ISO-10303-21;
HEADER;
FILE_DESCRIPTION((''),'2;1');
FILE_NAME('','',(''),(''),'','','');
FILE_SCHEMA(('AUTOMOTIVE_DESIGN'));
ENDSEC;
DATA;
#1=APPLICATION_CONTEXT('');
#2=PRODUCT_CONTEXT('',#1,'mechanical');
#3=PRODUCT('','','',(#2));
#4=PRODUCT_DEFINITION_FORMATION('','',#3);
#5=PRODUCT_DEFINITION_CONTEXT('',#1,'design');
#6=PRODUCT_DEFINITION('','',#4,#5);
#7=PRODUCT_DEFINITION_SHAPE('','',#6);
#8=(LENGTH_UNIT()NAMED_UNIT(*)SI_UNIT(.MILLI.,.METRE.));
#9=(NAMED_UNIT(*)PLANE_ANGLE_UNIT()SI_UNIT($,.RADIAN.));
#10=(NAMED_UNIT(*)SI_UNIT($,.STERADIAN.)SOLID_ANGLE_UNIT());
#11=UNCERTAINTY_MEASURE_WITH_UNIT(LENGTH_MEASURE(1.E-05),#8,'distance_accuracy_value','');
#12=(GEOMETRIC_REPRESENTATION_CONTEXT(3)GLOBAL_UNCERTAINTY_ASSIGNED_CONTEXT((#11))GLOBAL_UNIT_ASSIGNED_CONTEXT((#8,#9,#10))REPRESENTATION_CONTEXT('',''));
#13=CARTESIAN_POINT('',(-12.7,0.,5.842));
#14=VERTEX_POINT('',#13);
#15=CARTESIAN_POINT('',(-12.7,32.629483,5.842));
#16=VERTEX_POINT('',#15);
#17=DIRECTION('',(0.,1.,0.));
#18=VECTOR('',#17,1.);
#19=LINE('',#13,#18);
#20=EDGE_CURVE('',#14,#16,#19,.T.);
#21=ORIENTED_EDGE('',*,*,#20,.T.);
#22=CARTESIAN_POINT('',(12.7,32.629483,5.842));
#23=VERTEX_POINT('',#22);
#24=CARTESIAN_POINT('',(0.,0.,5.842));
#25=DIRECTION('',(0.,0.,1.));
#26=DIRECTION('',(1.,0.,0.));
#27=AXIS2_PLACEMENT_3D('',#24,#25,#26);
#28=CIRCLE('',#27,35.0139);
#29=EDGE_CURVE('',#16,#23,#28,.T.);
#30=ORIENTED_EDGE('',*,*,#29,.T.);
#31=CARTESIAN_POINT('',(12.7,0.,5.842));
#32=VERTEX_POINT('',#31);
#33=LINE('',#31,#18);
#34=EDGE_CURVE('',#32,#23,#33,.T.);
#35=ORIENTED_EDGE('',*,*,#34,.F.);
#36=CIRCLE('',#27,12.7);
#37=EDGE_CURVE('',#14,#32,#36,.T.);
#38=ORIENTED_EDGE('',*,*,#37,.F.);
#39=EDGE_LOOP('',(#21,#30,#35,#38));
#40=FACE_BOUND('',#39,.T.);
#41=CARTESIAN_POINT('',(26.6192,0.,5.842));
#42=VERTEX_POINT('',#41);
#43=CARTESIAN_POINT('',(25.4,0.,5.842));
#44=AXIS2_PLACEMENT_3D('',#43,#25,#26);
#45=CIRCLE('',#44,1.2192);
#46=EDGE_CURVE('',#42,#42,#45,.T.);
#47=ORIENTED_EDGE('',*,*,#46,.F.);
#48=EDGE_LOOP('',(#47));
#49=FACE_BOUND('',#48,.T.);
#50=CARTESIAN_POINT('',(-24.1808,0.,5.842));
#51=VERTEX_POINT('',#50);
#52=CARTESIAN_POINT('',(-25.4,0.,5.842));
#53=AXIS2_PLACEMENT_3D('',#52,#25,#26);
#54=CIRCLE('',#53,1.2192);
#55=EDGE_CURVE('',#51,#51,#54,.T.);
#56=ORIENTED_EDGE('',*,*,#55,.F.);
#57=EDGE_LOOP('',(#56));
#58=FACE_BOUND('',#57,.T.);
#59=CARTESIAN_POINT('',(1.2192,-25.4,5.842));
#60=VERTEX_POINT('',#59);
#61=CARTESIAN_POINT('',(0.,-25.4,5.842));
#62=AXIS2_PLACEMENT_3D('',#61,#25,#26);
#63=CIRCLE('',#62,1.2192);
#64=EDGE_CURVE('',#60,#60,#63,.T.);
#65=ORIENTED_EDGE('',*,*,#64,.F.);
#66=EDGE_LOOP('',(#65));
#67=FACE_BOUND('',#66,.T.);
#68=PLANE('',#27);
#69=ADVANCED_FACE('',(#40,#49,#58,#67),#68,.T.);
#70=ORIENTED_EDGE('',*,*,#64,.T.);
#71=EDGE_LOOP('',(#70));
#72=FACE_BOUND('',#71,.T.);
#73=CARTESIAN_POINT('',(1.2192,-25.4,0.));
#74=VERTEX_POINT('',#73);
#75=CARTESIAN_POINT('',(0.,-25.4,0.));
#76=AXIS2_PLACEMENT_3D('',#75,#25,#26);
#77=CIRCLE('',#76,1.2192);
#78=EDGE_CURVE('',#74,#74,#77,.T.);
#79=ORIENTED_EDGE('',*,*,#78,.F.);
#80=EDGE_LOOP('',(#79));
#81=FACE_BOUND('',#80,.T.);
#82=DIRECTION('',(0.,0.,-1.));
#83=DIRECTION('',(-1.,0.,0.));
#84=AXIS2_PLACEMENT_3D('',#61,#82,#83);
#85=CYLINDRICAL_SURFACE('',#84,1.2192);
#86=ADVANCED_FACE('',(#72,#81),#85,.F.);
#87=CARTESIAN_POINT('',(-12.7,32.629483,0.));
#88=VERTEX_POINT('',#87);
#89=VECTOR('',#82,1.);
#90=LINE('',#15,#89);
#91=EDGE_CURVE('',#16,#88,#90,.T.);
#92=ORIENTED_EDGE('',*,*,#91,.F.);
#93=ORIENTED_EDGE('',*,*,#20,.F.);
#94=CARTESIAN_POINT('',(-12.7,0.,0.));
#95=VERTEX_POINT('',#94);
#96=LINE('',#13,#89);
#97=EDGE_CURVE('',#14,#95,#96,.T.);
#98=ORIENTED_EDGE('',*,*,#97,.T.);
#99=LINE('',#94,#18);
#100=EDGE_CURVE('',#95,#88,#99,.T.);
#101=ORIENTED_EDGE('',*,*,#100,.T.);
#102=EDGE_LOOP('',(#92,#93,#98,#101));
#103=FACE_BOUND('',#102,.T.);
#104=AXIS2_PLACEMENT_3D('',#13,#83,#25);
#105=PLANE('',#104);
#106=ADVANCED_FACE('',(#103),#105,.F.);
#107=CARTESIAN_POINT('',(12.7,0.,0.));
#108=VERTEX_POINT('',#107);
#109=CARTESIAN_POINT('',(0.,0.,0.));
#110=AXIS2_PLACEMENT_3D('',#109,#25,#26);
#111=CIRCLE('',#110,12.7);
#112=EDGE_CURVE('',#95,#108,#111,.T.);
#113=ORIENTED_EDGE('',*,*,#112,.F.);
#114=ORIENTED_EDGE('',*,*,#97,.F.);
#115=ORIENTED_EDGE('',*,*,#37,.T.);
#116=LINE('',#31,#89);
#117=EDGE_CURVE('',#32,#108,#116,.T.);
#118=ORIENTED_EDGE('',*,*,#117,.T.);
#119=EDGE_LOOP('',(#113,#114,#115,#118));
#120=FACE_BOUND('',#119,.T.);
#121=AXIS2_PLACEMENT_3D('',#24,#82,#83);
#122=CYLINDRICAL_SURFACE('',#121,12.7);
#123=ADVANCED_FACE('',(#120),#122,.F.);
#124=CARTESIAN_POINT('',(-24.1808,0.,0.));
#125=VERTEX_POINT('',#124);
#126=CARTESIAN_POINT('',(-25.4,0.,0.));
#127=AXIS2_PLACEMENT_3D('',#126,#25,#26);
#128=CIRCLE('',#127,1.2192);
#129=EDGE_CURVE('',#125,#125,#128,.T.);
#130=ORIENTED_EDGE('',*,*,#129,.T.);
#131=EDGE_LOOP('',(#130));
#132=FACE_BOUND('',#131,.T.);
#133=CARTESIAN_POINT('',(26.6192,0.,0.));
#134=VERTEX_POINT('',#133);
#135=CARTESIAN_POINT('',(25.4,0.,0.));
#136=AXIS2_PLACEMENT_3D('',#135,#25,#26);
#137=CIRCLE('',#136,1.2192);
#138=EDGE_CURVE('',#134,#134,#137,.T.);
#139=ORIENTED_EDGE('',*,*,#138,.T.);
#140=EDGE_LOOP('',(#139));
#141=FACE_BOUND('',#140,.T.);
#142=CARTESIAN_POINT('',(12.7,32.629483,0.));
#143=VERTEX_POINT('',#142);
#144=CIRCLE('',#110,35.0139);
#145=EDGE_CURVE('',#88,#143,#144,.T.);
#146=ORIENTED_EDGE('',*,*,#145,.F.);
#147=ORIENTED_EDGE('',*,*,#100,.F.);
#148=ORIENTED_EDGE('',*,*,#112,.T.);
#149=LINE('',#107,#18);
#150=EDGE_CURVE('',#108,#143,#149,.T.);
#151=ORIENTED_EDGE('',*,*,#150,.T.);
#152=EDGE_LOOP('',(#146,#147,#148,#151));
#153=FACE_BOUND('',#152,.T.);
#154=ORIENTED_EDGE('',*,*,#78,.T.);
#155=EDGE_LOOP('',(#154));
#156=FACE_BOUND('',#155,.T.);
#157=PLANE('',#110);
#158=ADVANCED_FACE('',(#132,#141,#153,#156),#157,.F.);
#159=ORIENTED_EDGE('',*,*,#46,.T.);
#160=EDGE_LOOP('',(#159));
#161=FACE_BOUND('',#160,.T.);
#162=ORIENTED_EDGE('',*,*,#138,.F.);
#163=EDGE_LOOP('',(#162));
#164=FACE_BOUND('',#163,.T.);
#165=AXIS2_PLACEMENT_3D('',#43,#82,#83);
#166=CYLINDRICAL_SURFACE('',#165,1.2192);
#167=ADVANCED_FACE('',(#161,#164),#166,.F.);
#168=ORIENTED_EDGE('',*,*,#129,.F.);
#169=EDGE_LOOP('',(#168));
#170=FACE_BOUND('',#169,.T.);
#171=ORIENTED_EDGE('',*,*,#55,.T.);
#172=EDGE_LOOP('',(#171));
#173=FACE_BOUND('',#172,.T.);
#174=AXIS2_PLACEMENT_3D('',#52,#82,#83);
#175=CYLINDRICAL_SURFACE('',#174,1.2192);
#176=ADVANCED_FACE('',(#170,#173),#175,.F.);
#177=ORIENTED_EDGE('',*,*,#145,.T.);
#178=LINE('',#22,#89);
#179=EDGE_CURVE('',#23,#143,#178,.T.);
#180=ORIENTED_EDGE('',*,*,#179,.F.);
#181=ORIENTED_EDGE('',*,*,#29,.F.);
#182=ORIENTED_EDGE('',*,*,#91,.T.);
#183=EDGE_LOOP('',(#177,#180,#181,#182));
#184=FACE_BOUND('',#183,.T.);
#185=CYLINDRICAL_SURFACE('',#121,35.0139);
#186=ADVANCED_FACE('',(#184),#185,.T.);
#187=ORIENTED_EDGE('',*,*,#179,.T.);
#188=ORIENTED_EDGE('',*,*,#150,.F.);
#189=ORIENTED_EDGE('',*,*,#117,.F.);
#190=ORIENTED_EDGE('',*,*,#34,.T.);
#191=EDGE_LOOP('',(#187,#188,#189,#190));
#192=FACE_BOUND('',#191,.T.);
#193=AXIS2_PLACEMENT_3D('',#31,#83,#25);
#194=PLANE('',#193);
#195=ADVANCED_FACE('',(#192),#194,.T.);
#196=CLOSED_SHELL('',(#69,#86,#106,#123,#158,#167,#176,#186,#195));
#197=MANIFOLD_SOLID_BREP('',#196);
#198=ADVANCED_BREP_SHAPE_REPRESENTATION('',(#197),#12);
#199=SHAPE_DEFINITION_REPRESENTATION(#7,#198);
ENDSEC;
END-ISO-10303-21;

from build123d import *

# Parameters (mm, degrees)
SKETCH1_R           = 1.2192
BOSS_EXTRUDE1_DEPTH = 5.842


with BuildPart() as part:
    # Sketch1 → Boss-Extrude1 (new body)
    with BuildSketch(Plane.XY):
        with BuildLine():
            Line((12.7, 32.629483496), (12.7, 0))
            ThreePointArc((12.7, 0), (0, -12.7), (-12.7, 0))
            Line((-12.7, 0), (-12.7, 32.629483496))
            ThreePointArc((-12.7, 32.629483496), (-19.764825615, -28.901987157), (35.0139, 0))
            ThreePointArc((35.0139, 0), (28.901987157, 19.764825615), (12.7, 32.629483496))
        make_face()
        with Locations((0, -25.4)):
            Circle(SKETCH1_R, mode=Mode.SUBTRACT)
        with Locations((-25.4, 0)):
            Circle(SKETCH1_R, mode=Mode.SUBTRACT)
        with Locations((25.4, 0)):
            Circle(SKETCH1_R, mode=Mode.SUBTRACT)
    extrude(amount=BOSS_EXTRUDE1_DEPTH)


solid = part.part
